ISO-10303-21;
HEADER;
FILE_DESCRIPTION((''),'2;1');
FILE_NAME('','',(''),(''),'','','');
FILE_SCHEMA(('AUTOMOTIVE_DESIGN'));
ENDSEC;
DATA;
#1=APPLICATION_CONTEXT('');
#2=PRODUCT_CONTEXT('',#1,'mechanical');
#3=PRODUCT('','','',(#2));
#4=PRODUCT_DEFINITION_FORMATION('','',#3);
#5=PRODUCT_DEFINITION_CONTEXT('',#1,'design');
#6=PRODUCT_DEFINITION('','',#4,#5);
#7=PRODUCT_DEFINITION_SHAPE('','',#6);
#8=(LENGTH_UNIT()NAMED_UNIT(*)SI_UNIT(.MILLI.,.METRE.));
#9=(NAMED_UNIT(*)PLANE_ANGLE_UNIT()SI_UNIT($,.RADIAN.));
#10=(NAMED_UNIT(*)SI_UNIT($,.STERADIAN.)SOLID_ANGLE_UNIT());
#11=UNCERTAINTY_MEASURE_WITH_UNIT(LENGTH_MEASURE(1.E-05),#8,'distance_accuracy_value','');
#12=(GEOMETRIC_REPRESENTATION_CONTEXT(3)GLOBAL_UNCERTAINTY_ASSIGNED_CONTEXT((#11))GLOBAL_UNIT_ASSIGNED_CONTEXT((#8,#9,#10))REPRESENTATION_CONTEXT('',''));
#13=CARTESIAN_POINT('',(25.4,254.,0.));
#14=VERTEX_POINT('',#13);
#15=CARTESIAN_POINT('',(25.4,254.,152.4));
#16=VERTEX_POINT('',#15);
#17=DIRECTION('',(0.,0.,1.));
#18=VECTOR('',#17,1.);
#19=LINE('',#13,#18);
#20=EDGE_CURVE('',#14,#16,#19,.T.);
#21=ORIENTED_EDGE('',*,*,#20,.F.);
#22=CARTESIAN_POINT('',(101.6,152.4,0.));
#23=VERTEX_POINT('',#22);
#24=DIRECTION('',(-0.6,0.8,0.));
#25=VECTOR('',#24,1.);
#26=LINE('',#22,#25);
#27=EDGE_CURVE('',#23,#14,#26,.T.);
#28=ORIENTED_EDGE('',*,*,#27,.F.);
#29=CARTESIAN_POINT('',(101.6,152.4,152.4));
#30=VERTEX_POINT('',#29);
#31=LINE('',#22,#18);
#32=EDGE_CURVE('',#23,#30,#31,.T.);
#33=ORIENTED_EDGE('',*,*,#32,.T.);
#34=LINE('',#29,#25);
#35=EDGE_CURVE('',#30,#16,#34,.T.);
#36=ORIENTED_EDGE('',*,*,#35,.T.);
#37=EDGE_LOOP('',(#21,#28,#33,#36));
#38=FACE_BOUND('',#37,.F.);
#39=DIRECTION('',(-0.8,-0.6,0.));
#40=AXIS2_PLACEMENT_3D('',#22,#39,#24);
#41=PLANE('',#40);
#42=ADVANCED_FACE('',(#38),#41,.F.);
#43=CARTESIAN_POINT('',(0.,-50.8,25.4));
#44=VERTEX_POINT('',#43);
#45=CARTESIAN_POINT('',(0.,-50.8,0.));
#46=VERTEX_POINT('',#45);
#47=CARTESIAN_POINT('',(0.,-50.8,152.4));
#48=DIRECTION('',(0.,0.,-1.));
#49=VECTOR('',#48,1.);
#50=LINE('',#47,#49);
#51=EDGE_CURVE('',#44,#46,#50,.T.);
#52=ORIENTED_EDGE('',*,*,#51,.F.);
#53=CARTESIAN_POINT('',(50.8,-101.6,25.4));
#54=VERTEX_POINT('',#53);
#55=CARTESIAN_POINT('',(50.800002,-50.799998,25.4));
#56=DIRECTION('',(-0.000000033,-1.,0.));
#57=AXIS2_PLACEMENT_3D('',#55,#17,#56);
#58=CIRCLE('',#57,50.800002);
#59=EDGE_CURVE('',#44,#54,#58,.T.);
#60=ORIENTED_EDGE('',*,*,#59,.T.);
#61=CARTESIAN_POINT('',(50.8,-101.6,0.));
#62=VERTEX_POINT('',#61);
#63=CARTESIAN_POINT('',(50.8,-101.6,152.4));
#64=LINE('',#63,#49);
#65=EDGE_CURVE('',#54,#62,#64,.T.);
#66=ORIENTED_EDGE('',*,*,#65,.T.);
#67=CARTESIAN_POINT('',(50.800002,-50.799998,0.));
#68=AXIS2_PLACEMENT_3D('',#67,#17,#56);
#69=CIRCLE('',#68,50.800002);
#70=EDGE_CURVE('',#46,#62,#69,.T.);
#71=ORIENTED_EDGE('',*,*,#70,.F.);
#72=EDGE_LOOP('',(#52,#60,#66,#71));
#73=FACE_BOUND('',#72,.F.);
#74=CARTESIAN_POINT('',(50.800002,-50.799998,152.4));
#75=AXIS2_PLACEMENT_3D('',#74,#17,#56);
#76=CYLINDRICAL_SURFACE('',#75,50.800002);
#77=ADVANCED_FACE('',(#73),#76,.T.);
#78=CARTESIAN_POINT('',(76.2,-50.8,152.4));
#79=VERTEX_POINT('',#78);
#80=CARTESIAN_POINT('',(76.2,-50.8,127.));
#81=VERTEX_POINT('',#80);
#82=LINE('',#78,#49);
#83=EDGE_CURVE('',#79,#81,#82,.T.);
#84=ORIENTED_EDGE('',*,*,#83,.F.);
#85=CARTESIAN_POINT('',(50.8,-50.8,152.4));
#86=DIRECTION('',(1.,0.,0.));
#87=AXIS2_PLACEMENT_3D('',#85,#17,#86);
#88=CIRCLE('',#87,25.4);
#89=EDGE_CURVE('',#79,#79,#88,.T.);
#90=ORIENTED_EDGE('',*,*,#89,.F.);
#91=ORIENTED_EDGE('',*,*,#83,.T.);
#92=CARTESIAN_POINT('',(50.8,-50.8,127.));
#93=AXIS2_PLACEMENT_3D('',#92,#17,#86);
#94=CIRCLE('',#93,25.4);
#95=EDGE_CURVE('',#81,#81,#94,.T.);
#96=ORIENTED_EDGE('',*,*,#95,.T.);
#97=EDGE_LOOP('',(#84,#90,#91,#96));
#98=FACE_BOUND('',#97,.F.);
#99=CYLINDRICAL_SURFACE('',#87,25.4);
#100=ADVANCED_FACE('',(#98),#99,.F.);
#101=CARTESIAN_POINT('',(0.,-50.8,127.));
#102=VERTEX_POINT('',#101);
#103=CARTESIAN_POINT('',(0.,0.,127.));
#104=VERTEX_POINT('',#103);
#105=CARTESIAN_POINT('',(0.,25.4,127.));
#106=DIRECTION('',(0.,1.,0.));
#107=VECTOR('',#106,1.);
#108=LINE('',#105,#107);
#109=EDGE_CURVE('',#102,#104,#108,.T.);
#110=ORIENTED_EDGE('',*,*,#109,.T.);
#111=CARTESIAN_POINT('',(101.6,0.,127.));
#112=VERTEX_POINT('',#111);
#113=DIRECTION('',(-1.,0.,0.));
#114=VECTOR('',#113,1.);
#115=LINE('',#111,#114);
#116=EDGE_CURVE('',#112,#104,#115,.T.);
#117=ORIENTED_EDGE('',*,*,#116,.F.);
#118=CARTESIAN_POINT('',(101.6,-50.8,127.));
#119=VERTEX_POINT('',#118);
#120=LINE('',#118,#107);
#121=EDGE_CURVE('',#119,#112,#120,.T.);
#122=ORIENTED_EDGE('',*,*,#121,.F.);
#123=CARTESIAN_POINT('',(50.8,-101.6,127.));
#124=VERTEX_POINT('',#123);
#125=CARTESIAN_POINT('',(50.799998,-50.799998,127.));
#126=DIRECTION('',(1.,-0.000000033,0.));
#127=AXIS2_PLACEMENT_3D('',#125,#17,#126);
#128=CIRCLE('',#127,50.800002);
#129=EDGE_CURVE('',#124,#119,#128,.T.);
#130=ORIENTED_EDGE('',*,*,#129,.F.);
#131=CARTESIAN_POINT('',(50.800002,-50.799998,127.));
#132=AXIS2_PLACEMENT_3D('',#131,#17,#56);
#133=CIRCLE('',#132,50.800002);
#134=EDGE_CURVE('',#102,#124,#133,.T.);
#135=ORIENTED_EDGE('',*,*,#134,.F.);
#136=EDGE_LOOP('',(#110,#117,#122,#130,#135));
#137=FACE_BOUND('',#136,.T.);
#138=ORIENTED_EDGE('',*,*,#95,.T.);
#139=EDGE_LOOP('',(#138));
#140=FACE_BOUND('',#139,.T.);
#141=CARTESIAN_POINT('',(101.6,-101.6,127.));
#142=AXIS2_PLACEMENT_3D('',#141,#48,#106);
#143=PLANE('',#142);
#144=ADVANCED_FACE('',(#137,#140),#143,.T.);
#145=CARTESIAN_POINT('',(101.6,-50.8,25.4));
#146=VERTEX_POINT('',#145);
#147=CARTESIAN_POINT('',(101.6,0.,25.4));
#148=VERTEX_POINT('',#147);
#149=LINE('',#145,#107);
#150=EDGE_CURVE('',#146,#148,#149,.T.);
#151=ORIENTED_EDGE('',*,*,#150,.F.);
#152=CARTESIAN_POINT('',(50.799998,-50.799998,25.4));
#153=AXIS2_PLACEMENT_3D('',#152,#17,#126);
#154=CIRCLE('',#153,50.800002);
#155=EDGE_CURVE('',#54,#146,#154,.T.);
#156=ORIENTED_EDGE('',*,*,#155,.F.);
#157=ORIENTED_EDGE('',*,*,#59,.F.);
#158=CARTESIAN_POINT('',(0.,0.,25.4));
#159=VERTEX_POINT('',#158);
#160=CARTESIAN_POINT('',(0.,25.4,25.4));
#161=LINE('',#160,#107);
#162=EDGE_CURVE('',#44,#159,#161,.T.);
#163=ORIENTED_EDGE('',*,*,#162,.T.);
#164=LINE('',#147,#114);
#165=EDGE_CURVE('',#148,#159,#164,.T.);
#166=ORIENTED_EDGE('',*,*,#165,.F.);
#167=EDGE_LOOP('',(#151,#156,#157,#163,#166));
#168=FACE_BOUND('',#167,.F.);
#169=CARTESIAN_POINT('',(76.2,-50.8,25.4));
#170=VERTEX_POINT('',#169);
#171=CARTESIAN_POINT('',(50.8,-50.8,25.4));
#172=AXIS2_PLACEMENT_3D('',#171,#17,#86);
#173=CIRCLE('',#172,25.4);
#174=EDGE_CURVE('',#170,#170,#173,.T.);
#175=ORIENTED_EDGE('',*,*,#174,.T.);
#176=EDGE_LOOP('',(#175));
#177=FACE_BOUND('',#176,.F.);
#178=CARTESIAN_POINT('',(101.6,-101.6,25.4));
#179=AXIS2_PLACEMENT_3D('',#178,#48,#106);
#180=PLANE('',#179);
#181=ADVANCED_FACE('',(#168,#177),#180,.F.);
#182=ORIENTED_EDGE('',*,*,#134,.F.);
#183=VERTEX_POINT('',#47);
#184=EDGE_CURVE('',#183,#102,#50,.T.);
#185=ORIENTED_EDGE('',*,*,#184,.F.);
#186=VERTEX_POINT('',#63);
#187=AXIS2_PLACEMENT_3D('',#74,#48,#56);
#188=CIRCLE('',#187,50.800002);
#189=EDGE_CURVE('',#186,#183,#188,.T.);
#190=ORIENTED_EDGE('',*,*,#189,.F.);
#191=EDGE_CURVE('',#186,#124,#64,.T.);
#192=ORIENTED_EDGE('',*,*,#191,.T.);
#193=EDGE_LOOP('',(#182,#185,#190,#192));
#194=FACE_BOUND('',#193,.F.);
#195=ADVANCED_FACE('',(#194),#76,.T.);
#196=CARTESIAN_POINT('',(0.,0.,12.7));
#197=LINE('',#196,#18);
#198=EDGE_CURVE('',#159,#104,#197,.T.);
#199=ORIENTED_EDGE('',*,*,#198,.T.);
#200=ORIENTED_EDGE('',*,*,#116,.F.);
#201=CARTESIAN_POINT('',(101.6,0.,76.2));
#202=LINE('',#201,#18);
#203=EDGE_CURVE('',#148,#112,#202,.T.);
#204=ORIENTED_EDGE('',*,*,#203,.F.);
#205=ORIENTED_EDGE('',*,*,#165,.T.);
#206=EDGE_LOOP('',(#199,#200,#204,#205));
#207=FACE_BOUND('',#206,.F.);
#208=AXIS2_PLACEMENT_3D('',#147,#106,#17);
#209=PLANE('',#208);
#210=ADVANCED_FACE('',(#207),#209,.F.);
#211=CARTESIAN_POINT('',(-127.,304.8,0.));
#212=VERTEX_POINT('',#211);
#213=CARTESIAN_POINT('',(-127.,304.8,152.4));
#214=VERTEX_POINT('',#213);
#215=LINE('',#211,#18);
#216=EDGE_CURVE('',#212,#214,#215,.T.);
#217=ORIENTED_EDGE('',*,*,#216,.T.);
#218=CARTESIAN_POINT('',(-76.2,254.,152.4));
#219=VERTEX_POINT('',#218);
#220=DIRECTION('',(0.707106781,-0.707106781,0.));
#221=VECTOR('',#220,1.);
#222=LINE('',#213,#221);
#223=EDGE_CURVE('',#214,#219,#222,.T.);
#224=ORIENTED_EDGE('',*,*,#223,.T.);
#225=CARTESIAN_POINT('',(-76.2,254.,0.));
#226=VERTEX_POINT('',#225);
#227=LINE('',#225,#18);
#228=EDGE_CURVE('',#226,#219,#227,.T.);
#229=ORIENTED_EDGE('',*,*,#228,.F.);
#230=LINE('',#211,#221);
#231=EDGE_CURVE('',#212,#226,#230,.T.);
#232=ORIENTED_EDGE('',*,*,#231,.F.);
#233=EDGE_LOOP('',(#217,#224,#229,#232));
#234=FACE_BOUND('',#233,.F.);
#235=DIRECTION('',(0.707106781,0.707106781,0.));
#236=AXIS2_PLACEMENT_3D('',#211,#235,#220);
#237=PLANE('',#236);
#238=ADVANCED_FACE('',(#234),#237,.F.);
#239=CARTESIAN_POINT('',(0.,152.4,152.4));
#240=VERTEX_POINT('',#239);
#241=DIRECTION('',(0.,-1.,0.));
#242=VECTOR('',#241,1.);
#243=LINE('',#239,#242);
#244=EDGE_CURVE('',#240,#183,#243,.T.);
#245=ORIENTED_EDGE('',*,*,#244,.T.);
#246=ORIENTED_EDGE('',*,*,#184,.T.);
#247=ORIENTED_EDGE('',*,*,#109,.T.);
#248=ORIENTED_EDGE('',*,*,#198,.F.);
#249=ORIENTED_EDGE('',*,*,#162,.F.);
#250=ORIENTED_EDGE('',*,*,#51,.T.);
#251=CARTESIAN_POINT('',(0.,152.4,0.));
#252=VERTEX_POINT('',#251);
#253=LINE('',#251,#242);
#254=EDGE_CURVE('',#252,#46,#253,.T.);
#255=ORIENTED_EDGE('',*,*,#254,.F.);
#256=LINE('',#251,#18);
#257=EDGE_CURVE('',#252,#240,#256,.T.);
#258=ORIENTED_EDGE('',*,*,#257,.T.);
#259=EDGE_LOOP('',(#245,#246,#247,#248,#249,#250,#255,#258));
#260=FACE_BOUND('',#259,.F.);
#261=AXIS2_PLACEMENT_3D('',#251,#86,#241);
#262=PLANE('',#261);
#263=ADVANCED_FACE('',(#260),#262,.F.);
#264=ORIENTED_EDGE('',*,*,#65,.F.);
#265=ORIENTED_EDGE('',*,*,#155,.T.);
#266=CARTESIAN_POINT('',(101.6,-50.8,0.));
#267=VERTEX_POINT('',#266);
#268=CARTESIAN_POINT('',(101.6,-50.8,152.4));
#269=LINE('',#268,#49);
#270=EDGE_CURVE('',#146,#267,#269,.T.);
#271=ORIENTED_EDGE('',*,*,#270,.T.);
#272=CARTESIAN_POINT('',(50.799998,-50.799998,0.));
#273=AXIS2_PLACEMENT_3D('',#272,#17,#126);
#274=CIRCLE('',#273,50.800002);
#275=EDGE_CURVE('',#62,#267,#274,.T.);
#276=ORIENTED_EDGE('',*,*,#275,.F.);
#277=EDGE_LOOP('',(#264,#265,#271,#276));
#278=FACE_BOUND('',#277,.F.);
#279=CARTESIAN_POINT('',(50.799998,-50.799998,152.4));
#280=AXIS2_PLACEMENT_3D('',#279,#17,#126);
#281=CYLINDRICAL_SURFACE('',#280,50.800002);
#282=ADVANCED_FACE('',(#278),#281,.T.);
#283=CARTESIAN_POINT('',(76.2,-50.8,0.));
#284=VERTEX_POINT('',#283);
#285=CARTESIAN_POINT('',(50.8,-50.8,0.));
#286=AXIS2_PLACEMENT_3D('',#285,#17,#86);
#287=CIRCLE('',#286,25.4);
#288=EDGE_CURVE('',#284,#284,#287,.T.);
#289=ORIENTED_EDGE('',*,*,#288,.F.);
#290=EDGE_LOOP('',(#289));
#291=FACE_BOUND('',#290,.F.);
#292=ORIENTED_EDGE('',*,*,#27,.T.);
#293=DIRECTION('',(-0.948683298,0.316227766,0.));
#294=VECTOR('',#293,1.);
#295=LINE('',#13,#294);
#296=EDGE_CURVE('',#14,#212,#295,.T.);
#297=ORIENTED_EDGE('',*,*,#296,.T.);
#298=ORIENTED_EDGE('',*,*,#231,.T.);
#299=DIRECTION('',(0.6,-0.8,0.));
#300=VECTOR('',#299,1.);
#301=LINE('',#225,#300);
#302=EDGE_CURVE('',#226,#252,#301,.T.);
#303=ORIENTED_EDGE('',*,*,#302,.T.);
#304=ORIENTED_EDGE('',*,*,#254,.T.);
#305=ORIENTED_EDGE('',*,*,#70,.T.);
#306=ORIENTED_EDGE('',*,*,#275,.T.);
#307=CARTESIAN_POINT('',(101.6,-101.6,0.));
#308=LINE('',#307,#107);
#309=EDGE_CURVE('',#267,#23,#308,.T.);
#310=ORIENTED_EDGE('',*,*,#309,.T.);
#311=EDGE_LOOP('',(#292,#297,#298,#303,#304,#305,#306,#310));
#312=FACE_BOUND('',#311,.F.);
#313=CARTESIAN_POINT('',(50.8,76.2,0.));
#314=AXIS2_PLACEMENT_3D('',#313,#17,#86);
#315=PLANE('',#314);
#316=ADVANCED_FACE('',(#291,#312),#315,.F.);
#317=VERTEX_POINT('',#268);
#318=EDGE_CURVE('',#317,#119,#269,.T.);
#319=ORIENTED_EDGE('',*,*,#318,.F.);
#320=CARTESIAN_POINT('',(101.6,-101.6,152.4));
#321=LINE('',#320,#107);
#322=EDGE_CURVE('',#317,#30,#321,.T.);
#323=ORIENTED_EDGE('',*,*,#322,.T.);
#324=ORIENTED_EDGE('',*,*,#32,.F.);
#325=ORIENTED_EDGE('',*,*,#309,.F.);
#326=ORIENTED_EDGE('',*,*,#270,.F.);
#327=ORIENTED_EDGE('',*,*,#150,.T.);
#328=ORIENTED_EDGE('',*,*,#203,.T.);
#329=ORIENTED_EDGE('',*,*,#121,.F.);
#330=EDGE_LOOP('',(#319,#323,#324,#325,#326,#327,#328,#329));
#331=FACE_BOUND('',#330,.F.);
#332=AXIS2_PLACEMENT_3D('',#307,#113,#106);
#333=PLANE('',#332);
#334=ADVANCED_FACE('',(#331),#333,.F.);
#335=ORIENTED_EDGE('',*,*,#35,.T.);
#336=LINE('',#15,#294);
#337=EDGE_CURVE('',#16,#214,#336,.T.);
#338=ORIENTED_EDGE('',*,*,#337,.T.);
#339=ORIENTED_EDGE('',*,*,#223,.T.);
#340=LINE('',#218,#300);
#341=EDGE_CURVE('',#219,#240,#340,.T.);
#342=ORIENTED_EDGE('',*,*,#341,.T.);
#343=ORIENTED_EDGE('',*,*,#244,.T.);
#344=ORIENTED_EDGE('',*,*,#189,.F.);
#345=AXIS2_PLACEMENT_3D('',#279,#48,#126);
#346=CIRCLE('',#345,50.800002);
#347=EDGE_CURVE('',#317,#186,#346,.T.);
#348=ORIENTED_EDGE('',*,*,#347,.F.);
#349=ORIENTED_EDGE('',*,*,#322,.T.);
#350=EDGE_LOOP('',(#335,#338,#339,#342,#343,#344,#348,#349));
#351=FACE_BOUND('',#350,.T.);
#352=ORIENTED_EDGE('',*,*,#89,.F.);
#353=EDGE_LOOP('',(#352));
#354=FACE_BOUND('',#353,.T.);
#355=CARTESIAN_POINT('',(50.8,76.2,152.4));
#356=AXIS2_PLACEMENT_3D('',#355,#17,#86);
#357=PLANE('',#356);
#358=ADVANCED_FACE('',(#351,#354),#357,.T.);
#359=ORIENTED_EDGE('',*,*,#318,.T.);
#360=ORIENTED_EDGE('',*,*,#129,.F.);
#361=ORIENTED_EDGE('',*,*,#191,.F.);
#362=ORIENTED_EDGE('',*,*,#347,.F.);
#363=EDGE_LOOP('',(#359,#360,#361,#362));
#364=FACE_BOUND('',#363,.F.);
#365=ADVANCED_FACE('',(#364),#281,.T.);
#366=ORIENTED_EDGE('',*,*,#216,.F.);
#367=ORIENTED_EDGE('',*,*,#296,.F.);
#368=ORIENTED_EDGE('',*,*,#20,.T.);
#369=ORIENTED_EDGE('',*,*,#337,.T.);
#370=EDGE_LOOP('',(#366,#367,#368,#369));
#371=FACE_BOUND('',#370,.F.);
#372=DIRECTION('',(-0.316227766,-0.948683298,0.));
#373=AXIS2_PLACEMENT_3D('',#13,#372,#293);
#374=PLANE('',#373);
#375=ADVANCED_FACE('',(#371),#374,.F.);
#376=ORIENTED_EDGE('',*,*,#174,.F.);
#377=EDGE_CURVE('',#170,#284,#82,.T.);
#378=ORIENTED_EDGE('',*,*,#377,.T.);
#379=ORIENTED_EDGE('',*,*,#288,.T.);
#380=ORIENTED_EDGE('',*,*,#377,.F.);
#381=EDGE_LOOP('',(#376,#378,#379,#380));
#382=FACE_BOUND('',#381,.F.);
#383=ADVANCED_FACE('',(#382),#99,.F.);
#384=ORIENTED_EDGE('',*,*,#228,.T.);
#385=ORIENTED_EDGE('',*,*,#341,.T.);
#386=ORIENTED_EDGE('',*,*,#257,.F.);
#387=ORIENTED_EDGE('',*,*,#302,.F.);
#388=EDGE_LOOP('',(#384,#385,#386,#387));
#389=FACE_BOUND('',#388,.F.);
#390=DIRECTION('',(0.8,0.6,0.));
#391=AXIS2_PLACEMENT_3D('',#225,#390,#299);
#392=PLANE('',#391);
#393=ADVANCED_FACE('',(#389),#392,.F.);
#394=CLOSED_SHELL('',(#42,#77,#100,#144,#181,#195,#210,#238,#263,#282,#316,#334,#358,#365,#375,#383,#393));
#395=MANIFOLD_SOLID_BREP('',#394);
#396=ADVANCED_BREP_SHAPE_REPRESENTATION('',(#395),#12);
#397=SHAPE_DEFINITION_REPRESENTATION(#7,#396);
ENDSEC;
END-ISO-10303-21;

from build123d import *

# Parameters (mm, degrees)
F0_W     = 101.6
F0_H     = 152.4
F0_H_2   = 101.6
F1_DEPTH = 152.4
F2_W     = 101.6
F2_H     = 101.6
F3_DEPTH = 228.601
F4_R     = 25.4
F5_DEPTH = 152.401


with BuildPart() as f1:
    # F0 (on Top) → F1 (new body)
    with BuildSketch(Plane.XY):
        with Locations((50.8, 76.2)):
            Rectangle(F0_W, F0_H)
        with Locations((50.8, -50.8)):
            Rectangle(F0_W, F0_H_2)
        Polygon((-76.2, 254), (0, 152.4), (101.6, 152.4), (25.4, 254), align=None)
        Polygon((-127, 304.8), (-76.2, 254), (25.4, 254), align=None)
    extrude(amount=F1_DEPTH)

    # F2 (on face) → F3 (cut, through all)
    with BuildSketch(Plane.YZ.offset(101.6)):
        with Locations((-50.8, 76.2)):
            Rectangle(F2_W, F2_H)
    extrude(amount=-F3_DEPTH, mode=Mode.SUBTRACT)

    # F4 (on face) → F5 (cut, through all)
    with BuildSketch(Plane.XY.offset(152.4)):
        with Locations((50.8, -50.8)):
            Circle(F4_R)
        with BuildLine():
            ThreePointArc((101.6, -50.8), (86.721024, -86.721024), (50.8, -101.6))
            Line((50.8, -101.6), (101.6, -101.6))
            Line((101.6, -101.6), (101.6, -50.8))
        make_face()
        with BuildLine():
            ThreePointArc((50.8, -101.6), (14.878976, -86.721024), (0, -50.8))
            Line((0, -50.8), (0, -101.6))
            Line((0, -101.6), (50.8, -101.6))
        make_face()
    extrude(amount=-F5_DEPTH, mode=Mode.SUBTRACT)


solid = f1.part
